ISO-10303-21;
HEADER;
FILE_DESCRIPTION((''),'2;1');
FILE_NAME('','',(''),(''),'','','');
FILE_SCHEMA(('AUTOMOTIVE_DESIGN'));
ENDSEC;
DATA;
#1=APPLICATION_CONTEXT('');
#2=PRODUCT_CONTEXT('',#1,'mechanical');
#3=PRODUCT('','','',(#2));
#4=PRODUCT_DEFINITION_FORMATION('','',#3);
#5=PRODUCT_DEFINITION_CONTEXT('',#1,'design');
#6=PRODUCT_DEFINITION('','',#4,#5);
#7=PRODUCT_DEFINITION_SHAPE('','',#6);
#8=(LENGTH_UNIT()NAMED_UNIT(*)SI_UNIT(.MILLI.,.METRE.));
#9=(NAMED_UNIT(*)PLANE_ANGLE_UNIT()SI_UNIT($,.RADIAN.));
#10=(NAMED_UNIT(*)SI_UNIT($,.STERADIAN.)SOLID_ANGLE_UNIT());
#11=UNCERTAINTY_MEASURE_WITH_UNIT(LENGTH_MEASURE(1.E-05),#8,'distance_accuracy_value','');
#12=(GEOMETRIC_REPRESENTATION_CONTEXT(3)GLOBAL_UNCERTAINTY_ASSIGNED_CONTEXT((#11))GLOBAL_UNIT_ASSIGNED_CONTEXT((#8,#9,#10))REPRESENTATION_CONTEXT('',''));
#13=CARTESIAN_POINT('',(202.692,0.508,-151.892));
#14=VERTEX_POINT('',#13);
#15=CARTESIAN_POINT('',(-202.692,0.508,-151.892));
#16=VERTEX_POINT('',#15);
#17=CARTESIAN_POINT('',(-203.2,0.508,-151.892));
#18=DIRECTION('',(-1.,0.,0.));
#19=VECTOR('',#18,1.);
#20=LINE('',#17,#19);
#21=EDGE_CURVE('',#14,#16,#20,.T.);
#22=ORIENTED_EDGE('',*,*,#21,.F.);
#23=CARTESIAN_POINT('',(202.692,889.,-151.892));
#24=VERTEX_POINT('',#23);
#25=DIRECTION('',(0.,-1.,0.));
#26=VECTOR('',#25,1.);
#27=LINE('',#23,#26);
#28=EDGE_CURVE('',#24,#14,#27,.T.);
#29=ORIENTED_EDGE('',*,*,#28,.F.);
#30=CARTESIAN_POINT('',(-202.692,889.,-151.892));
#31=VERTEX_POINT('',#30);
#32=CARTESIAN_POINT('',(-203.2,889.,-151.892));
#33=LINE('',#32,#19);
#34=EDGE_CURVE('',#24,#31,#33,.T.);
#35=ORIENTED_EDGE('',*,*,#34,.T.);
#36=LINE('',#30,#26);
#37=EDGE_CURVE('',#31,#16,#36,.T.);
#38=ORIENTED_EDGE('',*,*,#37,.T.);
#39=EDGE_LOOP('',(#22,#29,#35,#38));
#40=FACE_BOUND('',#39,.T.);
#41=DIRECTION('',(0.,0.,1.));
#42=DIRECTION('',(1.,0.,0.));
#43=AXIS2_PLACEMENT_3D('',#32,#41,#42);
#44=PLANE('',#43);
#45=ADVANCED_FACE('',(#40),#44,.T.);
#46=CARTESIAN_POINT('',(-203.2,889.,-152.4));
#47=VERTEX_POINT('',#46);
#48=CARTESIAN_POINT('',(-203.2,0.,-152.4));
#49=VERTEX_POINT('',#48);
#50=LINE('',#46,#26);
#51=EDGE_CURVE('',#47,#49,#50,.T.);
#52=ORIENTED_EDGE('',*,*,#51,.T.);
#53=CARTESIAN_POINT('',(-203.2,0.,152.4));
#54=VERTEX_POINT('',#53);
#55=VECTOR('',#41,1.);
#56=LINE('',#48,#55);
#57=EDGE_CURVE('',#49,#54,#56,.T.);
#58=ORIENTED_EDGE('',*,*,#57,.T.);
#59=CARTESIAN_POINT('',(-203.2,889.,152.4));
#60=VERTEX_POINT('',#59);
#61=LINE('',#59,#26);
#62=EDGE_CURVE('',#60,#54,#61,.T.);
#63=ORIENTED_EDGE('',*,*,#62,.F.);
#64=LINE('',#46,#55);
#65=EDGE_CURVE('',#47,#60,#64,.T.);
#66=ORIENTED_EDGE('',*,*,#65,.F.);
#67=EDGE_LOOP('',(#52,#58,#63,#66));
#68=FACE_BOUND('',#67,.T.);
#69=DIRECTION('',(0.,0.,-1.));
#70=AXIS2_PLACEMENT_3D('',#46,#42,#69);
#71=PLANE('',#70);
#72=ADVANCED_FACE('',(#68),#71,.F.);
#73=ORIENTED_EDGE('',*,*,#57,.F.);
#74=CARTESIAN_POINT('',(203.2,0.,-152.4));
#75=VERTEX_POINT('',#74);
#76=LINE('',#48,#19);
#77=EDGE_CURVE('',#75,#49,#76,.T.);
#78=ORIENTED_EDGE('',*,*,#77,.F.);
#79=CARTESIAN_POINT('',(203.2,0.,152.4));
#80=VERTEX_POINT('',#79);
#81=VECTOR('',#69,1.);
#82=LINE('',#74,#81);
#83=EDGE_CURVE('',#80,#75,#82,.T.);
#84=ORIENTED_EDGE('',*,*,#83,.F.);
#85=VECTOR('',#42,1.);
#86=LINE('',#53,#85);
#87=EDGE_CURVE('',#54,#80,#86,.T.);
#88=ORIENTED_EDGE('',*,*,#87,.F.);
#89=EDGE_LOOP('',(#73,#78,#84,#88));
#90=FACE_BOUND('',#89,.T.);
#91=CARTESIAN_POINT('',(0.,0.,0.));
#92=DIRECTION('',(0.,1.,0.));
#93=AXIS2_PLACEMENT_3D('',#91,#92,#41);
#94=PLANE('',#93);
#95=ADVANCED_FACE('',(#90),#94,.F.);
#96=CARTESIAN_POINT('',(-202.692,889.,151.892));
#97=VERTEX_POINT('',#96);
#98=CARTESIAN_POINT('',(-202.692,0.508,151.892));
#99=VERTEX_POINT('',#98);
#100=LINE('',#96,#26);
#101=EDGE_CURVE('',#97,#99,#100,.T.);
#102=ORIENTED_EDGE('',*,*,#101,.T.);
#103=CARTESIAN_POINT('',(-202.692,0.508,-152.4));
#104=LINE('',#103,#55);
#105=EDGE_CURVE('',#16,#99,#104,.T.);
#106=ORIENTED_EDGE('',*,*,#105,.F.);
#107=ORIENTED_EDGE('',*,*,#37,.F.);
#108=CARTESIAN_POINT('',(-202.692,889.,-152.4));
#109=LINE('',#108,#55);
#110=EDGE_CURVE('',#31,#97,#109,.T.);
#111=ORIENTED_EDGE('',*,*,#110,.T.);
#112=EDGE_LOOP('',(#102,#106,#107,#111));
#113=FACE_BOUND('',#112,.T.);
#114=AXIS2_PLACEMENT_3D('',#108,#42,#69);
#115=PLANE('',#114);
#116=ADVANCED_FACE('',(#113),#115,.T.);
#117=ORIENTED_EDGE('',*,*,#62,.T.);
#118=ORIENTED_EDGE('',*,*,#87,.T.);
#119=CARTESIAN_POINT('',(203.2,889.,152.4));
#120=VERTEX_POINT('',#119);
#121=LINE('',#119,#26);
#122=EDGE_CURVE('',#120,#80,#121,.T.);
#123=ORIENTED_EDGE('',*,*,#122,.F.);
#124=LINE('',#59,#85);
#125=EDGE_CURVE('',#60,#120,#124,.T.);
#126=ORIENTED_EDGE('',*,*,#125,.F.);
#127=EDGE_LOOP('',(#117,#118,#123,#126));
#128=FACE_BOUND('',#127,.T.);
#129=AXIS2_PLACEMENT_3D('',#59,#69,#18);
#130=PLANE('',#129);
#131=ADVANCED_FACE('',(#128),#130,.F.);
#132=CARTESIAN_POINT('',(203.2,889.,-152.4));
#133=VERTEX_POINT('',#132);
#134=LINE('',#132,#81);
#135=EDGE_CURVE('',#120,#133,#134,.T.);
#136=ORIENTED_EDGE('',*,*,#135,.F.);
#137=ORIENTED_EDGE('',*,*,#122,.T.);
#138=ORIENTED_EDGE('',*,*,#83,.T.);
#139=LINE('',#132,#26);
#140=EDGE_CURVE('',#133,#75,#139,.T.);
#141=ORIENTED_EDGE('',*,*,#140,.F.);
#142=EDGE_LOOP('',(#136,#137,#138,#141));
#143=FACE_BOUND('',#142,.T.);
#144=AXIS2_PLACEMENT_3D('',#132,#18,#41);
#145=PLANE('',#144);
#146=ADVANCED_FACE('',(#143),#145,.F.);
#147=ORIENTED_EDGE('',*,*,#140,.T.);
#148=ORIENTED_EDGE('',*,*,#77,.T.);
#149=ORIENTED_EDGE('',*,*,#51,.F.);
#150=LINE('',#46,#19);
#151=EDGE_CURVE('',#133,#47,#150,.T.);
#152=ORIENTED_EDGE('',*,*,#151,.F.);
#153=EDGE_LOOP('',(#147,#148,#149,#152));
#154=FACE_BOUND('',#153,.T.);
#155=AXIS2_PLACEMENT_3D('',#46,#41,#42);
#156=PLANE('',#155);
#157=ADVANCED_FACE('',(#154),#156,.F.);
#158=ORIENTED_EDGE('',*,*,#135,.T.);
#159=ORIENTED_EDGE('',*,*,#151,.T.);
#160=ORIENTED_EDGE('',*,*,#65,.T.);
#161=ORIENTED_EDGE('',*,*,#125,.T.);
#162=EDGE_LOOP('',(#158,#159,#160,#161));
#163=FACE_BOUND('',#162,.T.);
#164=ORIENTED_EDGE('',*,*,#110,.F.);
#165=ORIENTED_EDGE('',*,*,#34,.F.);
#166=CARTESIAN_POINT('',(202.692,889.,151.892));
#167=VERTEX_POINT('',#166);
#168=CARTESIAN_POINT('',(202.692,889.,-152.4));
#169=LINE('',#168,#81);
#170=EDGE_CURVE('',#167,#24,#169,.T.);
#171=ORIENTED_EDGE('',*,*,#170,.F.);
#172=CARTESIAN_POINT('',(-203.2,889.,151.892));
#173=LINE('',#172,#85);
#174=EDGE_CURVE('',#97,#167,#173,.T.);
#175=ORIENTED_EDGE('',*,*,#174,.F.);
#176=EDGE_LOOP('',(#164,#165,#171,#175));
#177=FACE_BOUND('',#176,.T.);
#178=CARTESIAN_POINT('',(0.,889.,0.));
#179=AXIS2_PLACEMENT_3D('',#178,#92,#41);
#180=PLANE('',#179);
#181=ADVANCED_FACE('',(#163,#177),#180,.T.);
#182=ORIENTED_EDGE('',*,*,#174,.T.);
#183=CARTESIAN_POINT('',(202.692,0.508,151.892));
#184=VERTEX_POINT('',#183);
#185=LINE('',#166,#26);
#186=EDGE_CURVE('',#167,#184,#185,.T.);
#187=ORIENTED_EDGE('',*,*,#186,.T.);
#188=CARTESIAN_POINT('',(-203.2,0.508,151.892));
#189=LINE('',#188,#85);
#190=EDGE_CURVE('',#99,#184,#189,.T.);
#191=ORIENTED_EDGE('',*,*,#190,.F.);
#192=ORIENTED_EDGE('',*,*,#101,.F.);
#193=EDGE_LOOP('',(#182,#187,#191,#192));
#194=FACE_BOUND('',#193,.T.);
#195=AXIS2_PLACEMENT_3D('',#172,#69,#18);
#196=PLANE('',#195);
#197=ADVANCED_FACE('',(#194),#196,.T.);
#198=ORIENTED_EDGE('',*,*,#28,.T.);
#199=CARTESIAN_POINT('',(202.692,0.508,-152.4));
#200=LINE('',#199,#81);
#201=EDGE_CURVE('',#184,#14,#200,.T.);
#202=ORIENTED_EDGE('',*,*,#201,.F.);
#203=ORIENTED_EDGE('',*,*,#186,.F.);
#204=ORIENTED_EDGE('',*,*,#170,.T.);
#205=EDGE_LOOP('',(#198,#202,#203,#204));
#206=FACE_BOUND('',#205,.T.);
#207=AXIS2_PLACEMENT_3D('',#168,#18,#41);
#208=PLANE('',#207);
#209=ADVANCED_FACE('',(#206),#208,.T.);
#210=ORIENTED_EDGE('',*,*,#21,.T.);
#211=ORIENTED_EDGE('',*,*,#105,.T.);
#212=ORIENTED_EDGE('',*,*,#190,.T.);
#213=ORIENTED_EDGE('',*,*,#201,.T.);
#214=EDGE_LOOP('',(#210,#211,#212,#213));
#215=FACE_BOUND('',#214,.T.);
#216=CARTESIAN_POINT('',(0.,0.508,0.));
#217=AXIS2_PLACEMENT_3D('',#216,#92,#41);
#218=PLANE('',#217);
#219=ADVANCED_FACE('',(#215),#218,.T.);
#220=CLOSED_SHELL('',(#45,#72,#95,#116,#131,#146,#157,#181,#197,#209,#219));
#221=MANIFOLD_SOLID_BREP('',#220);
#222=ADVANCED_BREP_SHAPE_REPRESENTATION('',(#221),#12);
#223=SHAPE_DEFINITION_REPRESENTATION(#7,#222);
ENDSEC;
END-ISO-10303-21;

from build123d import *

# Parameters (mm, degrees)
SKETCH1_W           = 406.4
SKETCH1_H           = 304.8
BOSS_EXTRUDE1_DEPTH = 889
SHELL1_T            = -0.508


with BuildPart() as part:
    # Sketch1 → Boss-Extrude1 (new body)
    with BuildSketch(Plane(origin=(0, 0, 0), x_dir=(1, 0, 0), z_dir=(0, 1, 0))):
        Rectangle(SKETCH1_W, SKETCH1_H)
    extrude(amount=BOSS_EXTRUDE1_DEPTH)

    # Shell1
    shell1_openings = [part.faces().sort_by_distance(p)[0] for p in [
        (0, 889, 0),
    ]]
    offset(amount=SHELL1_T, openings=shell1_openings, kind=Kind.INTERSECTION)


solid = part.part
